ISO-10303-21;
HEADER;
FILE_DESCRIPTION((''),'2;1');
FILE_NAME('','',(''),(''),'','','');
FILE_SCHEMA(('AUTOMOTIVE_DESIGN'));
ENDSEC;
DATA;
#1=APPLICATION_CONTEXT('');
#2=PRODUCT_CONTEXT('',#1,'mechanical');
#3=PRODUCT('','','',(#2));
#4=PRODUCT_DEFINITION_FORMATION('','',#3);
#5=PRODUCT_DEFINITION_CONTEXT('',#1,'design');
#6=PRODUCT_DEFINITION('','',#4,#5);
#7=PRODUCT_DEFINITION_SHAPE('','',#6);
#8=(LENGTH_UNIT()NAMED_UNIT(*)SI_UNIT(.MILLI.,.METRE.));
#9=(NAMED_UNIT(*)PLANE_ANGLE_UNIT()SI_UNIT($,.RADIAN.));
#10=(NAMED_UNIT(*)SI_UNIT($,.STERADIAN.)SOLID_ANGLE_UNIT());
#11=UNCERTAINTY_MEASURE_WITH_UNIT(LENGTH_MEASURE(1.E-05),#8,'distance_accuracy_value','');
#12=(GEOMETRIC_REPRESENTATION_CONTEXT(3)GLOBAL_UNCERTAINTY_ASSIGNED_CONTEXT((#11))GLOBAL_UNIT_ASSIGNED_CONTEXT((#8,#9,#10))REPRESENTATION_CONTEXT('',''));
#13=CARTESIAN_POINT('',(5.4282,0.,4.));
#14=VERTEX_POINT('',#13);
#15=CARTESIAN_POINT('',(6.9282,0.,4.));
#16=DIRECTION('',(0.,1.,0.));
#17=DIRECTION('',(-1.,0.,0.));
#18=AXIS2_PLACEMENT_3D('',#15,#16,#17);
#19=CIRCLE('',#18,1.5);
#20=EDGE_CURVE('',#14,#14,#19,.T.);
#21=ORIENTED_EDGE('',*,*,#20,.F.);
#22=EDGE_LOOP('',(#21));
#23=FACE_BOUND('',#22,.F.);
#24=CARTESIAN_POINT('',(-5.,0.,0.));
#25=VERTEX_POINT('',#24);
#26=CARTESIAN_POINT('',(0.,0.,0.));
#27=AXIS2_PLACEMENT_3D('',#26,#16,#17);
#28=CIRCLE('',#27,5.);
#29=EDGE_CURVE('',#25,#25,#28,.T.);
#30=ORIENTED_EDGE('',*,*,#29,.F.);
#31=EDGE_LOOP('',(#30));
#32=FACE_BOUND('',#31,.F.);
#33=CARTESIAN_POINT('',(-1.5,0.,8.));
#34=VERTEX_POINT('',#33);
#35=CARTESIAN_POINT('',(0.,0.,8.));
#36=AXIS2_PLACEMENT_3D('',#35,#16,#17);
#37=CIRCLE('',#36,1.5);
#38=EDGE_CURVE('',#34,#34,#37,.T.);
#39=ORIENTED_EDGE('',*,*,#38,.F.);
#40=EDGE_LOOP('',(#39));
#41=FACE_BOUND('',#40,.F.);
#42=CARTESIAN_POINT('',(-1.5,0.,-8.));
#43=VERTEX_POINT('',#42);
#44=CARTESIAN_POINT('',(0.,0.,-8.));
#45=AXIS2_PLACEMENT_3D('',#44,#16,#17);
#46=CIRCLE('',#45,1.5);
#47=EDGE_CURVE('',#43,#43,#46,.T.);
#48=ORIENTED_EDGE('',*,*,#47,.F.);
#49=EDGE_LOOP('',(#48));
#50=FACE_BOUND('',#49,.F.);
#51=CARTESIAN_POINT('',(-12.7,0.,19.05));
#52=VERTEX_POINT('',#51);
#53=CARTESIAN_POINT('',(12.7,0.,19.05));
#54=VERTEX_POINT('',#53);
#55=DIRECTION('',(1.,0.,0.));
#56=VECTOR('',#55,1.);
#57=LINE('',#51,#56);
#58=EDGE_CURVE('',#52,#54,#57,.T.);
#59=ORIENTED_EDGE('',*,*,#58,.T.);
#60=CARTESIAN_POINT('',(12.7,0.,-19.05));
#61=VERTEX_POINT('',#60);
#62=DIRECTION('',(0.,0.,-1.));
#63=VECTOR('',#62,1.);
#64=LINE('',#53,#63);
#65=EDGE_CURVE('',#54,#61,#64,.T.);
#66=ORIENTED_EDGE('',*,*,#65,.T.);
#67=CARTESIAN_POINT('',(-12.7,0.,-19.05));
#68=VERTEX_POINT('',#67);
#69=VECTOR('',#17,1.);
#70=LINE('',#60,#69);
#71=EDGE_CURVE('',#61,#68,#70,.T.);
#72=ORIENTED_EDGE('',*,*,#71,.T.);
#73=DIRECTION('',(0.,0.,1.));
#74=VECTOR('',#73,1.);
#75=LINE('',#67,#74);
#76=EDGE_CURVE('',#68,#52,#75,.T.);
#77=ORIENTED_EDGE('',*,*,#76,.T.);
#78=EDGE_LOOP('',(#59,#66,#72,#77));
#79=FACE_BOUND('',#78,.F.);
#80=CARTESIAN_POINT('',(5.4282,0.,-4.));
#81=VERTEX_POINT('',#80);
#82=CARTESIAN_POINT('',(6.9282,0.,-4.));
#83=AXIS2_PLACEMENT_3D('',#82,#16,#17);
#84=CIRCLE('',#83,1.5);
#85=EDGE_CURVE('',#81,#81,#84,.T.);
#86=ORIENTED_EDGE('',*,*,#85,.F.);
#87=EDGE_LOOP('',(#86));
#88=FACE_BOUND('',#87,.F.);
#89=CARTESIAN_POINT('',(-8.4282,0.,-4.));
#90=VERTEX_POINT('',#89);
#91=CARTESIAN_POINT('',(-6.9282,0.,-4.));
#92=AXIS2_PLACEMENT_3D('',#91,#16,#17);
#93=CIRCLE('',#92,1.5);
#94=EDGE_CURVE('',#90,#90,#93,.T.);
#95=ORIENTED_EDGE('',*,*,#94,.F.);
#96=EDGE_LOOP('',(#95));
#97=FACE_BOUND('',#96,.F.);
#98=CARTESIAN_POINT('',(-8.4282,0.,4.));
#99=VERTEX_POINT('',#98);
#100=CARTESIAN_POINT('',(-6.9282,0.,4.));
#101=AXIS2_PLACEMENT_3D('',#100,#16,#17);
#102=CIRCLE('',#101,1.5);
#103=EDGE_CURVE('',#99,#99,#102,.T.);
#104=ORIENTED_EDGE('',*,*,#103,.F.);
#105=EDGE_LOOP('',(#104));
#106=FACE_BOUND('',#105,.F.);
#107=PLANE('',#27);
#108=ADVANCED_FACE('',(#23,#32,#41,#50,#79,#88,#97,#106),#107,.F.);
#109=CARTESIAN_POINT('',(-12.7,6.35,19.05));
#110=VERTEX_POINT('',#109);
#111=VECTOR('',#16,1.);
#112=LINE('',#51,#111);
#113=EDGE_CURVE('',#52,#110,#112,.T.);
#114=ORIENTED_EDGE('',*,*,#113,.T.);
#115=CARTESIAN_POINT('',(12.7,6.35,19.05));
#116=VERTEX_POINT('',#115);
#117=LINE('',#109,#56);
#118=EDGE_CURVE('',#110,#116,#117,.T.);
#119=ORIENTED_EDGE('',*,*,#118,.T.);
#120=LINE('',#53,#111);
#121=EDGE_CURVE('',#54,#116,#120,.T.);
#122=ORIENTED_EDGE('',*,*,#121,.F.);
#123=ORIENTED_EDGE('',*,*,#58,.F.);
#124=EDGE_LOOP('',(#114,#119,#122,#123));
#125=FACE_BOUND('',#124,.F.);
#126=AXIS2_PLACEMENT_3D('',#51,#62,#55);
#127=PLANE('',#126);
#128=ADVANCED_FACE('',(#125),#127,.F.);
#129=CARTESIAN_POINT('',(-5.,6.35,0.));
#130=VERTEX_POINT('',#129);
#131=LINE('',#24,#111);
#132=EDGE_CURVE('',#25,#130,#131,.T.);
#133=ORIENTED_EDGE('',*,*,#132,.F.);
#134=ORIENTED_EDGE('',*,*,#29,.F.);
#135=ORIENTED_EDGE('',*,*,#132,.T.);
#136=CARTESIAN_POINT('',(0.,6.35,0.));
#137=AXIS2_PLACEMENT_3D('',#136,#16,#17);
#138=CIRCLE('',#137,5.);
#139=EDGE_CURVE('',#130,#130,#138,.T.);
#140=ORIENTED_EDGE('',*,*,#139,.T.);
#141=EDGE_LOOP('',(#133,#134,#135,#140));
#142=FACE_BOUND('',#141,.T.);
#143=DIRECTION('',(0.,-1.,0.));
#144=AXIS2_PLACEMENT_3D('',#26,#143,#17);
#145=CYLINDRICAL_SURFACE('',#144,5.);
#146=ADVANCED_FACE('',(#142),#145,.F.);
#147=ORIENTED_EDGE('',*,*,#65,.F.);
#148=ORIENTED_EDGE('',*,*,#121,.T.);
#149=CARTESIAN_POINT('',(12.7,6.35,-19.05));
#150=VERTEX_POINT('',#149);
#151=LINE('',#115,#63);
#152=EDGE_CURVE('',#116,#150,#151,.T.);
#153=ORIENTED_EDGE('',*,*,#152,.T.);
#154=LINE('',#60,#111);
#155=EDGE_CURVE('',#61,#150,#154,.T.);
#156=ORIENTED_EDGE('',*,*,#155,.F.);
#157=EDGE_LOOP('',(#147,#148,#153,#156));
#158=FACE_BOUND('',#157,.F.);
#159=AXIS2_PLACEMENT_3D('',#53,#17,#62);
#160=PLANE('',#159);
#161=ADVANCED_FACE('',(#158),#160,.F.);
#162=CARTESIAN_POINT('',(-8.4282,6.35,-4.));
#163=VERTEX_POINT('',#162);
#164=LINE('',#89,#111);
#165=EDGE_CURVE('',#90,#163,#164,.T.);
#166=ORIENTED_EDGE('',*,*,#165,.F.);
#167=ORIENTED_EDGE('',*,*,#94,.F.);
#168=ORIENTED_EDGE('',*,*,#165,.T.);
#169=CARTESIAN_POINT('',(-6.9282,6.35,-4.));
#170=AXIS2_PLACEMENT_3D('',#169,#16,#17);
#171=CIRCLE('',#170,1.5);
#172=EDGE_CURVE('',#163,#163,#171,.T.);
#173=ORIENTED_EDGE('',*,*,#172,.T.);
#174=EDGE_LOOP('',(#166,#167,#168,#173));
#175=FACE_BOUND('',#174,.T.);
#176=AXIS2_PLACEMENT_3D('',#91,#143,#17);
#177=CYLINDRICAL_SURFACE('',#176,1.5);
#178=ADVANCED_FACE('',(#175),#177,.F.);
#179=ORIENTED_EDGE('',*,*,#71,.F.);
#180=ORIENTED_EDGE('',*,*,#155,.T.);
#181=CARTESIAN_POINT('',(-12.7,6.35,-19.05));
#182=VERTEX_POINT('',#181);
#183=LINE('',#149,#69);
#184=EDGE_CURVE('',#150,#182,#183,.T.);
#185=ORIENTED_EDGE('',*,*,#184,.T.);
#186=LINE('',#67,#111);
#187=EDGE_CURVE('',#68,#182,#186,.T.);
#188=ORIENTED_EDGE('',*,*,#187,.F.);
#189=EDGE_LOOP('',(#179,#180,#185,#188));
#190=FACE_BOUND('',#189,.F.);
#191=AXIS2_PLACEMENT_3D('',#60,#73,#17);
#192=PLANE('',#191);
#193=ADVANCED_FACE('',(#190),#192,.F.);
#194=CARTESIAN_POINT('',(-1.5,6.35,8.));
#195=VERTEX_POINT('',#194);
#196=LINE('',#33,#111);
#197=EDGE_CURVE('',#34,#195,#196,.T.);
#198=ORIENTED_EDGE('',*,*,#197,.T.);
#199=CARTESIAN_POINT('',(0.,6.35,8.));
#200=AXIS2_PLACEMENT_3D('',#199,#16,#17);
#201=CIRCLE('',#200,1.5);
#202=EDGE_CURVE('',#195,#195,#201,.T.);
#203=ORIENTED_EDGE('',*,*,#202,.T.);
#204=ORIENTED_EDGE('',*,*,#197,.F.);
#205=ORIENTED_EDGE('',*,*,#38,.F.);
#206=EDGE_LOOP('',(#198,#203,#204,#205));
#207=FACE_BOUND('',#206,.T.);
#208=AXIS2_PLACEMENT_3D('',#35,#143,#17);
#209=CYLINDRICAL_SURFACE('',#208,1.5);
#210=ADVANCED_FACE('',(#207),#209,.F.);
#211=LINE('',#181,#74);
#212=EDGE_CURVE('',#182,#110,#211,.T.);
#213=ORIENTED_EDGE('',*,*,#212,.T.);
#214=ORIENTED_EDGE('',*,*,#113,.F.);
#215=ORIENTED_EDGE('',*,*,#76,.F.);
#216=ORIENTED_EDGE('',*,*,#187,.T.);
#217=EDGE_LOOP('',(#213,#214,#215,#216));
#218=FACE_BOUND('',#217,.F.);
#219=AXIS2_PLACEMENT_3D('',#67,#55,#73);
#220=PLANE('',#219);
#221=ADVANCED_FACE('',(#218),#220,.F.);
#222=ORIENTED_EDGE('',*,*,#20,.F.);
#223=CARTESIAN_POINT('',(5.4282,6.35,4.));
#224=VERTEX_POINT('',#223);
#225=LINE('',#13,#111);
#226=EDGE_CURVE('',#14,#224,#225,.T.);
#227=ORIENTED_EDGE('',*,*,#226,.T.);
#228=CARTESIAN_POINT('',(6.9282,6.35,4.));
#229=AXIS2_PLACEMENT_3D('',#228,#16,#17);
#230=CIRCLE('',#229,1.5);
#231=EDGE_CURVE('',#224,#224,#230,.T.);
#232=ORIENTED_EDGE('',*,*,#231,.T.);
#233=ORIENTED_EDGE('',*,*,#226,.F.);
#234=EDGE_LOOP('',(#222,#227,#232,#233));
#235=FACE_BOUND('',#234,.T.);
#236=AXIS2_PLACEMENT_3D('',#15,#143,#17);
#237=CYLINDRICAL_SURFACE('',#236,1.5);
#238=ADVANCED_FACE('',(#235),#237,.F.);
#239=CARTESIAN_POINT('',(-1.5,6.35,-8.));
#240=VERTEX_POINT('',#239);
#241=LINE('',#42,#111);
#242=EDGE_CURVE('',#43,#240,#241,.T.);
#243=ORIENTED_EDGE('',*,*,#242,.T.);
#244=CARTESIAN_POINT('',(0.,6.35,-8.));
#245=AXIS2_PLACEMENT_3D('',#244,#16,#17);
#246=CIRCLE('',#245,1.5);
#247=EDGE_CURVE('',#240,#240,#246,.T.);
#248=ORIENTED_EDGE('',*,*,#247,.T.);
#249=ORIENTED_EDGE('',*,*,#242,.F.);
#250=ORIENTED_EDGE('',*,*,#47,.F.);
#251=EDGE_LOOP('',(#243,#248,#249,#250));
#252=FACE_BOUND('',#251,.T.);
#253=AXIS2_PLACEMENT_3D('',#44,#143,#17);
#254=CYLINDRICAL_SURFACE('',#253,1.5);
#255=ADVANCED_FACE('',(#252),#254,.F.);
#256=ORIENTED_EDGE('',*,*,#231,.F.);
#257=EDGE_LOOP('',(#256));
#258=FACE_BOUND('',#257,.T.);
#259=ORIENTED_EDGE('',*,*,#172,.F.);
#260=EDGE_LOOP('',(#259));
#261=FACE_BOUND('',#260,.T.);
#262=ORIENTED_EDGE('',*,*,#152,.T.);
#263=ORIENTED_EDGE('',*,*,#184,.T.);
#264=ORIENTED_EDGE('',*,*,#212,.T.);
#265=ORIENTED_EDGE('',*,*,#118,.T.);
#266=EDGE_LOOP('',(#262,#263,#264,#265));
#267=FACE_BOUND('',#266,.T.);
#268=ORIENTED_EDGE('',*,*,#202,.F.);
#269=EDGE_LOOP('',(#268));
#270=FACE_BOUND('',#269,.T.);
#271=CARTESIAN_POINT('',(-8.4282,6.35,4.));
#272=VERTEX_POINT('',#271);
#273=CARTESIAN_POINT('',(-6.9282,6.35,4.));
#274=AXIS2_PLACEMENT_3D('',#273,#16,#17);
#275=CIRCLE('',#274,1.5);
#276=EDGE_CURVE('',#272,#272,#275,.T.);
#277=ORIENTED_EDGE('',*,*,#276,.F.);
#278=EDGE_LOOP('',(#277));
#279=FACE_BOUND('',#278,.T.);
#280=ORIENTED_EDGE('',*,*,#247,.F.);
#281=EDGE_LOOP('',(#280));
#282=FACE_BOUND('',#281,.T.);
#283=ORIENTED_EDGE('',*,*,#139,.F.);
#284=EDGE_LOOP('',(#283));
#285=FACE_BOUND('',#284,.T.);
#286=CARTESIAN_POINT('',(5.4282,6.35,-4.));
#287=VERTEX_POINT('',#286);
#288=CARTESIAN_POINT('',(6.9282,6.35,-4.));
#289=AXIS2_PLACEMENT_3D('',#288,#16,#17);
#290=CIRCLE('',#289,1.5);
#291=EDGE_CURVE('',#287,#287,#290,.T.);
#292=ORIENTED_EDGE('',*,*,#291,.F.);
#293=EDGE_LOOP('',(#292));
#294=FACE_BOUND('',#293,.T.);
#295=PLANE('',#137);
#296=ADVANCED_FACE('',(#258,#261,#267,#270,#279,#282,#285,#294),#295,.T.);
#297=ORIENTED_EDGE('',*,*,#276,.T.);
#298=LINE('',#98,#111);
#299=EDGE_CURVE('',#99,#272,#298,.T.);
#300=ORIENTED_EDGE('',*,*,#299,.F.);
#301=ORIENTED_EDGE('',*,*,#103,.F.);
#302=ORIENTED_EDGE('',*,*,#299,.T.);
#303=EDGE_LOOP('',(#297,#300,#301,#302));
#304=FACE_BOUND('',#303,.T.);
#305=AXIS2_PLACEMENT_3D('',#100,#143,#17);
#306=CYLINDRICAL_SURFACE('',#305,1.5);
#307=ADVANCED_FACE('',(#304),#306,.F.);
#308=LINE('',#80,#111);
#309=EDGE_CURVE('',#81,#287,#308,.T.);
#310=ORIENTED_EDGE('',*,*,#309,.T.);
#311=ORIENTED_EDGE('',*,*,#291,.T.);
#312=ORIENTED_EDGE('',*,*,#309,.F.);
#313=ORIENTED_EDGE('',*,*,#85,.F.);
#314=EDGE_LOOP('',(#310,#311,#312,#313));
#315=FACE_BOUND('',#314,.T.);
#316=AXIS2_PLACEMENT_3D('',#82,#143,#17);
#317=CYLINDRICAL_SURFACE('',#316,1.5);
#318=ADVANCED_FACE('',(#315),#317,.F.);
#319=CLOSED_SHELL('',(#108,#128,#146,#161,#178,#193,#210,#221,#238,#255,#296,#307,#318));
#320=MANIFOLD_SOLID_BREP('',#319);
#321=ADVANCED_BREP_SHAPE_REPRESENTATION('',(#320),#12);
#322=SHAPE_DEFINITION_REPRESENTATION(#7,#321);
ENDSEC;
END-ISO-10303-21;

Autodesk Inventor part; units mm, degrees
ref_plane "YZ Plane" through (0, 0, 0) normal (1, 0, 0) x (0, 1, 0)
ref_plane "XZ Plane" through (0, 0, 0) normal (0, 1, 0) x (-1, 0, 0)
ref_plane "XY Plane" through (0, 0, 0) normal (0, 0, 1) x (1, 0, 0)
sketch "Sketch1" plane through (0, 0, 0) normal (0, 1, 0) x (-1, 0, 0)
  circle A0 centre (0, 0) radius 8 construction
  circle A1 centre (0, -8) radius 1.5
  circle A2 centre (6.9282, -4) radius 1.5
  circle A3 centre (6.9282, 4) radius 1.5
  circle A4 centre (0, 8) radius 1.5
  circle A5 centre (-6.9282, 4) radius 1.5
  circle A6 centre (-6.9282, -4) radius 1.5
  circle A7 centre (0, 0) radius 5
  line L0 (12.7, 19.05) -> (-12.7, 19.05)
  line L1 (-12.7, 19.05) -> (-12.7, -19.05)
  line L2 (-12.7, -19.05) -> (12.7, -19.05)
  line L3 (12.7, -19.05) -> (12.7, 19.05)
  line L4 (12.7, 19.05) -> (-12.7, -19.05) construction
  line L5 (-12.7, 19.05) -> (12.7, -19.05) construction
  dimension "d0" = 16
  dimension "d1" = 3
  dimension "d4" = 360
  dimension "d6" = 10
  dimension "d7" = 25.4
  dimension "d8" = 38.1
extrude "Extrusion1" add sketch "Sketch1" along normal blind 6.35
properties part number "rev holes"
